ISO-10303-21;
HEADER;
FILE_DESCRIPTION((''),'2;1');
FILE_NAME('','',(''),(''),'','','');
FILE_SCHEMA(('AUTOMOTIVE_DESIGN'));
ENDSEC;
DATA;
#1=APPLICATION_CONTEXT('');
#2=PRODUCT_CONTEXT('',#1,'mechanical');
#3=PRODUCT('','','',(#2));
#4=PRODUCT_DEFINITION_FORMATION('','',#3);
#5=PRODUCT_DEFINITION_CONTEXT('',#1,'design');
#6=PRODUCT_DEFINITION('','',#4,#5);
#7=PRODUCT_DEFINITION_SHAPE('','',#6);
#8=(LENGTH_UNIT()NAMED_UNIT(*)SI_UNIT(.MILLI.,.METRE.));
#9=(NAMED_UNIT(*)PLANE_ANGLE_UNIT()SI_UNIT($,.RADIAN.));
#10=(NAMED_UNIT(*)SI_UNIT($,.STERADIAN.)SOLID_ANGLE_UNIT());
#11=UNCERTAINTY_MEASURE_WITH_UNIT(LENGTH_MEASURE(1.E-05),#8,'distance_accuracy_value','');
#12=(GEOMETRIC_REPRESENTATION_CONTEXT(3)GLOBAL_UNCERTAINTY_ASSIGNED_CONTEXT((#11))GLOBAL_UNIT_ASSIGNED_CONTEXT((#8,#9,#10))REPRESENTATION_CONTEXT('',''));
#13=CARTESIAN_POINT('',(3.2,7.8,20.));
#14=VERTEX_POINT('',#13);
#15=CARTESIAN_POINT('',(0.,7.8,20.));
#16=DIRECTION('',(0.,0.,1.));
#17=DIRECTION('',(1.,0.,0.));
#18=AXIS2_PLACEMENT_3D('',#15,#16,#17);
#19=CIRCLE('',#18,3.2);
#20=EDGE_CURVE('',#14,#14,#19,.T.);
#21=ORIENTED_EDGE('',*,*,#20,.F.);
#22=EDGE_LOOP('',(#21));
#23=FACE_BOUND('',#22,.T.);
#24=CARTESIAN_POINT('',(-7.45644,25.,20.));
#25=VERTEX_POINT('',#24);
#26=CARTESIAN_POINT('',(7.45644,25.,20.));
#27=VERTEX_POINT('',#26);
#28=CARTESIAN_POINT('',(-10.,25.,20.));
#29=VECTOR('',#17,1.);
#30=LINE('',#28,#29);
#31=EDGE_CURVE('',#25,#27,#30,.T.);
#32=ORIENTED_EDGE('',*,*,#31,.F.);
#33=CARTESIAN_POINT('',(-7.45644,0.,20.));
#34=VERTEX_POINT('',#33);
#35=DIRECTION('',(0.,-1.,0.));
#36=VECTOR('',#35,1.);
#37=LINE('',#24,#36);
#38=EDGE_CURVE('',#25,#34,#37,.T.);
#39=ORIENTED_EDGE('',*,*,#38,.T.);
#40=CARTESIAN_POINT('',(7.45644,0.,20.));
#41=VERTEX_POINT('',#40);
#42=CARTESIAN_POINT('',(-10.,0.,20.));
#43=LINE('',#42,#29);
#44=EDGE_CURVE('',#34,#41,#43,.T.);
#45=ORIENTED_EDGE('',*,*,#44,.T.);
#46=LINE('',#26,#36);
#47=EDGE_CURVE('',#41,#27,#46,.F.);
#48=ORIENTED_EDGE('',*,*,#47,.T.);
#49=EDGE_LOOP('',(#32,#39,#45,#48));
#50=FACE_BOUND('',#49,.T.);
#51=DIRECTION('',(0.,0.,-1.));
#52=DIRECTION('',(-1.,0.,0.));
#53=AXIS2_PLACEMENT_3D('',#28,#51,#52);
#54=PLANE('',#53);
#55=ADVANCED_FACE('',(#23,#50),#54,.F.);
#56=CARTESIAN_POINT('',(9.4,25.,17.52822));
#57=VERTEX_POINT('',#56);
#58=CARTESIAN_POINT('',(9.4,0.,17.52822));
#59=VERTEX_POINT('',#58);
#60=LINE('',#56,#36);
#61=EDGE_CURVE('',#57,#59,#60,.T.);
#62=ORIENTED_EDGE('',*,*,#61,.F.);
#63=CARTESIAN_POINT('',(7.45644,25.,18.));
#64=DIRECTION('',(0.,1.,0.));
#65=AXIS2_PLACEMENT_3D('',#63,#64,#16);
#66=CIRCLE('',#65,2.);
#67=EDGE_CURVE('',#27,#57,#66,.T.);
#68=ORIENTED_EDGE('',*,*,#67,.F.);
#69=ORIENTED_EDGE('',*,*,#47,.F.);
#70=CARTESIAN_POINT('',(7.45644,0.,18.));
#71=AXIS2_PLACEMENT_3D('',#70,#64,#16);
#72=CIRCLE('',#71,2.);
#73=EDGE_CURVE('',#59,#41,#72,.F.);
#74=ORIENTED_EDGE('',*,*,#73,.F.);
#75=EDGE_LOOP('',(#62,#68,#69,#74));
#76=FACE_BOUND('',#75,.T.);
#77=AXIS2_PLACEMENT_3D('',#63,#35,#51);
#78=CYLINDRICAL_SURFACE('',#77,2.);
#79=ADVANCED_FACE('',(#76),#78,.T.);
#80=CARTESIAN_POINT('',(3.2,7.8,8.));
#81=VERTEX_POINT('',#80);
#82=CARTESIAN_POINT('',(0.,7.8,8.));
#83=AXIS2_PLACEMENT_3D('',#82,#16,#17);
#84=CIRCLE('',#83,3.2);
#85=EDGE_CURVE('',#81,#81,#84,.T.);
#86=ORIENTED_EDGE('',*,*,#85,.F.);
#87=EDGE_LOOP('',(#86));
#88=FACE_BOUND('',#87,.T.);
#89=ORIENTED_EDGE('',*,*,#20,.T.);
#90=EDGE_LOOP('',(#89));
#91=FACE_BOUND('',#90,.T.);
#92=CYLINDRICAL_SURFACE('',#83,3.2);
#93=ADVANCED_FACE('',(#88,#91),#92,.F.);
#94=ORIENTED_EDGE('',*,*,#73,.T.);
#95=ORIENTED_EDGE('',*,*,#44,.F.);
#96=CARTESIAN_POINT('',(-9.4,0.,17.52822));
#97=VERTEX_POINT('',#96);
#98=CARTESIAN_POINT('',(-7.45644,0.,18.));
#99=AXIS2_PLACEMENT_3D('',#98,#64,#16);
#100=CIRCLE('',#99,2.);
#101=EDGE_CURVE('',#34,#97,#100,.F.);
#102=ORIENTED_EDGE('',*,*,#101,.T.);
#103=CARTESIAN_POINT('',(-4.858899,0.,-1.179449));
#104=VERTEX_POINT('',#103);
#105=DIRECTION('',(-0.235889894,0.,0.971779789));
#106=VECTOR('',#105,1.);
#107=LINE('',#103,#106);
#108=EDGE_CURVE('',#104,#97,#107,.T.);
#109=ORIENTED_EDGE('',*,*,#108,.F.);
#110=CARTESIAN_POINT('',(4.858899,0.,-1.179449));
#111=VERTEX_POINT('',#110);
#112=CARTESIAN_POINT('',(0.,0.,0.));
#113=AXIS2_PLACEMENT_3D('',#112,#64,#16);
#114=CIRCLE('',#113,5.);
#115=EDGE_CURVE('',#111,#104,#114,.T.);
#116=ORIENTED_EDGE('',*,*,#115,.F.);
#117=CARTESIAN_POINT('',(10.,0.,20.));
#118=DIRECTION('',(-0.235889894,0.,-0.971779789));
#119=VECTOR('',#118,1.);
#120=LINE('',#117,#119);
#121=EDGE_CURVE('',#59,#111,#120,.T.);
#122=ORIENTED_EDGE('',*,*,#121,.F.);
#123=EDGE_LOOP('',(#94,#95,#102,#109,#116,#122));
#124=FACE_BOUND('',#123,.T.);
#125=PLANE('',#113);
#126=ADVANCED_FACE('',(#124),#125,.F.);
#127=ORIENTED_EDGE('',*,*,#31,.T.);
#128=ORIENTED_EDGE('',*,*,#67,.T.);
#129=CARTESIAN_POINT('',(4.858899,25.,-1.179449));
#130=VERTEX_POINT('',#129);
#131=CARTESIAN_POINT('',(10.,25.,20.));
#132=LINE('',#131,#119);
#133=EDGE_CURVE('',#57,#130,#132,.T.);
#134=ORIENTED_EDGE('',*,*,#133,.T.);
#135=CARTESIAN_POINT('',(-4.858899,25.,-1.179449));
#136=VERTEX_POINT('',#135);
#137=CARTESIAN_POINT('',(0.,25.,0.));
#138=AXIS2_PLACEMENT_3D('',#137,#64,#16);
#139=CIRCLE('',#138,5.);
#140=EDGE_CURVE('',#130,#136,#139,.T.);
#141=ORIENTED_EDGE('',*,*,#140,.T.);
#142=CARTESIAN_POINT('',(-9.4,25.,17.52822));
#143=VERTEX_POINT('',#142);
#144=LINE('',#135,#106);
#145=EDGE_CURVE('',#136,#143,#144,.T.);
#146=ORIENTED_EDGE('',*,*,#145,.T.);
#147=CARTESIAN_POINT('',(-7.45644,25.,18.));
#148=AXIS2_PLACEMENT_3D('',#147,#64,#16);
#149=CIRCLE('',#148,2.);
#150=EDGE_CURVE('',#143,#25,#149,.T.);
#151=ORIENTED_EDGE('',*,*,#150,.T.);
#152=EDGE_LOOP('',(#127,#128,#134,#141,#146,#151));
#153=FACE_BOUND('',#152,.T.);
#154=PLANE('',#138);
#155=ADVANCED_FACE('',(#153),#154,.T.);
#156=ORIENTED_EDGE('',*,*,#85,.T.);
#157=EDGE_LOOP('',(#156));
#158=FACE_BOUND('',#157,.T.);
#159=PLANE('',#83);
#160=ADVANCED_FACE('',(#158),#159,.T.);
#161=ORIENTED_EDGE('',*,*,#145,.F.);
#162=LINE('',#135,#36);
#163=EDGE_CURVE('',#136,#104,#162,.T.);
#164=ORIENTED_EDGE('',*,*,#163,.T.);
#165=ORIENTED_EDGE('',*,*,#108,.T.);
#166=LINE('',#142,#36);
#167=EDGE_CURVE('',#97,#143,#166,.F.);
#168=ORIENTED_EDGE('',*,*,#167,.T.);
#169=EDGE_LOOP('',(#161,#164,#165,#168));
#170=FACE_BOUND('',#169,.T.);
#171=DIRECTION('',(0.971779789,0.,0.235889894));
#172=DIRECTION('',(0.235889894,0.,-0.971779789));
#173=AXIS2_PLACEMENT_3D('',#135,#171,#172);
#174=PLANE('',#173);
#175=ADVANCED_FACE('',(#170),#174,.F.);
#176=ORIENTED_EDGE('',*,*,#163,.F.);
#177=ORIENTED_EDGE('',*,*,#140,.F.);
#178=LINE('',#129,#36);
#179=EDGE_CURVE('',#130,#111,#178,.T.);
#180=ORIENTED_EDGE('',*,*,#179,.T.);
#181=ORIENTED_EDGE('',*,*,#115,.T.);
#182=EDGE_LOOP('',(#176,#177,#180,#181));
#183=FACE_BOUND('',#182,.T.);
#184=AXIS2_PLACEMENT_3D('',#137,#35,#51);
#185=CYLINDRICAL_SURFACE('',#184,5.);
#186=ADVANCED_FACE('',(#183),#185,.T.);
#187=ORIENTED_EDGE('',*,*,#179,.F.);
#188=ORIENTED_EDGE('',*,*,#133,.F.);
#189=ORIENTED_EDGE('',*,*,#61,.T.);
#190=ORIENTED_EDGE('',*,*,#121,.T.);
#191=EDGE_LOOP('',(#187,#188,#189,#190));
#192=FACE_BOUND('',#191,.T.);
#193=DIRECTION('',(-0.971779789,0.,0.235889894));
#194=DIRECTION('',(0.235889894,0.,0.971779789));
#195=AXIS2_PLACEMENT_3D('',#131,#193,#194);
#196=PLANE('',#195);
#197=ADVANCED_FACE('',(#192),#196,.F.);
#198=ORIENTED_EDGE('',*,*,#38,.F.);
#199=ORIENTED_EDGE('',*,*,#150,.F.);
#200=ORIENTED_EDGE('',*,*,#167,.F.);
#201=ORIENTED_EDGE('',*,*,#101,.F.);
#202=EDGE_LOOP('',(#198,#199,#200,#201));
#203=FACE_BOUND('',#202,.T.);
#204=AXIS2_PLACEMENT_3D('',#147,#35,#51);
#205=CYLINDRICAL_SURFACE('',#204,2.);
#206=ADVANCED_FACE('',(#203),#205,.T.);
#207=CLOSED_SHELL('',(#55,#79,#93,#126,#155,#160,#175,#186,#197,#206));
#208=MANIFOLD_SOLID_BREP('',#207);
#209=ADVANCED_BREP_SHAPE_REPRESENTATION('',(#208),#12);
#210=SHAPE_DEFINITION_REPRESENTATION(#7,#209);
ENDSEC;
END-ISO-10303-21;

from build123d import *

# Parameters (mm, degrees)
SALIENTE_EXTRUIR1_DEPTH = 25
CROQUIS2_R              = 3.2
CORTAR_EXTRUIR1_DEPTH   = 12
REDONDEO1_R             = 2


with BuildPart() as part:
    # Croquis1 → Saliente-Extruir1 (new body)
    with BuildSketch(Plane(origin=(0, 0, 0), x_dir=(1, 0, 0), z_dir=(0, 1, 0))):
        with BuildLine():
            Line((-4.858898944, 1.179449472), (-10, -20))
            Line((-10, -20), (10, -20))
            Line((10, -20), (4.858898944, 1.179449472))
            ThreePointArc((4.858898944, 1.179449472), (0, 5), (-4.858898944, 1.179449472))
        make_face()
    extrude(amount=SALIENTE_EXTRUIR1_DEPTH)

    # Croquis2 → Cortar-Extruir1 (cut)
    with BuildSketch(Plane.XY.offset(20)):
        with Locations((0, 7.8)):
            Circle(CROQUIS2_R)
    extrude(amount=-CORTAR_EXTRUIR1_DEPTH, mode=Mode.SUBTRACT)

    # Redondeo1
    redondeo1_edges = [part.edges().sort_by_distance(p)[0] for p in [
        (10, 12.5, 20),
        (-10, 12.5, 20),
    ]]
    fillet(redondeo1_edges, radius=REDONDEO1_R)


solid = part.part
